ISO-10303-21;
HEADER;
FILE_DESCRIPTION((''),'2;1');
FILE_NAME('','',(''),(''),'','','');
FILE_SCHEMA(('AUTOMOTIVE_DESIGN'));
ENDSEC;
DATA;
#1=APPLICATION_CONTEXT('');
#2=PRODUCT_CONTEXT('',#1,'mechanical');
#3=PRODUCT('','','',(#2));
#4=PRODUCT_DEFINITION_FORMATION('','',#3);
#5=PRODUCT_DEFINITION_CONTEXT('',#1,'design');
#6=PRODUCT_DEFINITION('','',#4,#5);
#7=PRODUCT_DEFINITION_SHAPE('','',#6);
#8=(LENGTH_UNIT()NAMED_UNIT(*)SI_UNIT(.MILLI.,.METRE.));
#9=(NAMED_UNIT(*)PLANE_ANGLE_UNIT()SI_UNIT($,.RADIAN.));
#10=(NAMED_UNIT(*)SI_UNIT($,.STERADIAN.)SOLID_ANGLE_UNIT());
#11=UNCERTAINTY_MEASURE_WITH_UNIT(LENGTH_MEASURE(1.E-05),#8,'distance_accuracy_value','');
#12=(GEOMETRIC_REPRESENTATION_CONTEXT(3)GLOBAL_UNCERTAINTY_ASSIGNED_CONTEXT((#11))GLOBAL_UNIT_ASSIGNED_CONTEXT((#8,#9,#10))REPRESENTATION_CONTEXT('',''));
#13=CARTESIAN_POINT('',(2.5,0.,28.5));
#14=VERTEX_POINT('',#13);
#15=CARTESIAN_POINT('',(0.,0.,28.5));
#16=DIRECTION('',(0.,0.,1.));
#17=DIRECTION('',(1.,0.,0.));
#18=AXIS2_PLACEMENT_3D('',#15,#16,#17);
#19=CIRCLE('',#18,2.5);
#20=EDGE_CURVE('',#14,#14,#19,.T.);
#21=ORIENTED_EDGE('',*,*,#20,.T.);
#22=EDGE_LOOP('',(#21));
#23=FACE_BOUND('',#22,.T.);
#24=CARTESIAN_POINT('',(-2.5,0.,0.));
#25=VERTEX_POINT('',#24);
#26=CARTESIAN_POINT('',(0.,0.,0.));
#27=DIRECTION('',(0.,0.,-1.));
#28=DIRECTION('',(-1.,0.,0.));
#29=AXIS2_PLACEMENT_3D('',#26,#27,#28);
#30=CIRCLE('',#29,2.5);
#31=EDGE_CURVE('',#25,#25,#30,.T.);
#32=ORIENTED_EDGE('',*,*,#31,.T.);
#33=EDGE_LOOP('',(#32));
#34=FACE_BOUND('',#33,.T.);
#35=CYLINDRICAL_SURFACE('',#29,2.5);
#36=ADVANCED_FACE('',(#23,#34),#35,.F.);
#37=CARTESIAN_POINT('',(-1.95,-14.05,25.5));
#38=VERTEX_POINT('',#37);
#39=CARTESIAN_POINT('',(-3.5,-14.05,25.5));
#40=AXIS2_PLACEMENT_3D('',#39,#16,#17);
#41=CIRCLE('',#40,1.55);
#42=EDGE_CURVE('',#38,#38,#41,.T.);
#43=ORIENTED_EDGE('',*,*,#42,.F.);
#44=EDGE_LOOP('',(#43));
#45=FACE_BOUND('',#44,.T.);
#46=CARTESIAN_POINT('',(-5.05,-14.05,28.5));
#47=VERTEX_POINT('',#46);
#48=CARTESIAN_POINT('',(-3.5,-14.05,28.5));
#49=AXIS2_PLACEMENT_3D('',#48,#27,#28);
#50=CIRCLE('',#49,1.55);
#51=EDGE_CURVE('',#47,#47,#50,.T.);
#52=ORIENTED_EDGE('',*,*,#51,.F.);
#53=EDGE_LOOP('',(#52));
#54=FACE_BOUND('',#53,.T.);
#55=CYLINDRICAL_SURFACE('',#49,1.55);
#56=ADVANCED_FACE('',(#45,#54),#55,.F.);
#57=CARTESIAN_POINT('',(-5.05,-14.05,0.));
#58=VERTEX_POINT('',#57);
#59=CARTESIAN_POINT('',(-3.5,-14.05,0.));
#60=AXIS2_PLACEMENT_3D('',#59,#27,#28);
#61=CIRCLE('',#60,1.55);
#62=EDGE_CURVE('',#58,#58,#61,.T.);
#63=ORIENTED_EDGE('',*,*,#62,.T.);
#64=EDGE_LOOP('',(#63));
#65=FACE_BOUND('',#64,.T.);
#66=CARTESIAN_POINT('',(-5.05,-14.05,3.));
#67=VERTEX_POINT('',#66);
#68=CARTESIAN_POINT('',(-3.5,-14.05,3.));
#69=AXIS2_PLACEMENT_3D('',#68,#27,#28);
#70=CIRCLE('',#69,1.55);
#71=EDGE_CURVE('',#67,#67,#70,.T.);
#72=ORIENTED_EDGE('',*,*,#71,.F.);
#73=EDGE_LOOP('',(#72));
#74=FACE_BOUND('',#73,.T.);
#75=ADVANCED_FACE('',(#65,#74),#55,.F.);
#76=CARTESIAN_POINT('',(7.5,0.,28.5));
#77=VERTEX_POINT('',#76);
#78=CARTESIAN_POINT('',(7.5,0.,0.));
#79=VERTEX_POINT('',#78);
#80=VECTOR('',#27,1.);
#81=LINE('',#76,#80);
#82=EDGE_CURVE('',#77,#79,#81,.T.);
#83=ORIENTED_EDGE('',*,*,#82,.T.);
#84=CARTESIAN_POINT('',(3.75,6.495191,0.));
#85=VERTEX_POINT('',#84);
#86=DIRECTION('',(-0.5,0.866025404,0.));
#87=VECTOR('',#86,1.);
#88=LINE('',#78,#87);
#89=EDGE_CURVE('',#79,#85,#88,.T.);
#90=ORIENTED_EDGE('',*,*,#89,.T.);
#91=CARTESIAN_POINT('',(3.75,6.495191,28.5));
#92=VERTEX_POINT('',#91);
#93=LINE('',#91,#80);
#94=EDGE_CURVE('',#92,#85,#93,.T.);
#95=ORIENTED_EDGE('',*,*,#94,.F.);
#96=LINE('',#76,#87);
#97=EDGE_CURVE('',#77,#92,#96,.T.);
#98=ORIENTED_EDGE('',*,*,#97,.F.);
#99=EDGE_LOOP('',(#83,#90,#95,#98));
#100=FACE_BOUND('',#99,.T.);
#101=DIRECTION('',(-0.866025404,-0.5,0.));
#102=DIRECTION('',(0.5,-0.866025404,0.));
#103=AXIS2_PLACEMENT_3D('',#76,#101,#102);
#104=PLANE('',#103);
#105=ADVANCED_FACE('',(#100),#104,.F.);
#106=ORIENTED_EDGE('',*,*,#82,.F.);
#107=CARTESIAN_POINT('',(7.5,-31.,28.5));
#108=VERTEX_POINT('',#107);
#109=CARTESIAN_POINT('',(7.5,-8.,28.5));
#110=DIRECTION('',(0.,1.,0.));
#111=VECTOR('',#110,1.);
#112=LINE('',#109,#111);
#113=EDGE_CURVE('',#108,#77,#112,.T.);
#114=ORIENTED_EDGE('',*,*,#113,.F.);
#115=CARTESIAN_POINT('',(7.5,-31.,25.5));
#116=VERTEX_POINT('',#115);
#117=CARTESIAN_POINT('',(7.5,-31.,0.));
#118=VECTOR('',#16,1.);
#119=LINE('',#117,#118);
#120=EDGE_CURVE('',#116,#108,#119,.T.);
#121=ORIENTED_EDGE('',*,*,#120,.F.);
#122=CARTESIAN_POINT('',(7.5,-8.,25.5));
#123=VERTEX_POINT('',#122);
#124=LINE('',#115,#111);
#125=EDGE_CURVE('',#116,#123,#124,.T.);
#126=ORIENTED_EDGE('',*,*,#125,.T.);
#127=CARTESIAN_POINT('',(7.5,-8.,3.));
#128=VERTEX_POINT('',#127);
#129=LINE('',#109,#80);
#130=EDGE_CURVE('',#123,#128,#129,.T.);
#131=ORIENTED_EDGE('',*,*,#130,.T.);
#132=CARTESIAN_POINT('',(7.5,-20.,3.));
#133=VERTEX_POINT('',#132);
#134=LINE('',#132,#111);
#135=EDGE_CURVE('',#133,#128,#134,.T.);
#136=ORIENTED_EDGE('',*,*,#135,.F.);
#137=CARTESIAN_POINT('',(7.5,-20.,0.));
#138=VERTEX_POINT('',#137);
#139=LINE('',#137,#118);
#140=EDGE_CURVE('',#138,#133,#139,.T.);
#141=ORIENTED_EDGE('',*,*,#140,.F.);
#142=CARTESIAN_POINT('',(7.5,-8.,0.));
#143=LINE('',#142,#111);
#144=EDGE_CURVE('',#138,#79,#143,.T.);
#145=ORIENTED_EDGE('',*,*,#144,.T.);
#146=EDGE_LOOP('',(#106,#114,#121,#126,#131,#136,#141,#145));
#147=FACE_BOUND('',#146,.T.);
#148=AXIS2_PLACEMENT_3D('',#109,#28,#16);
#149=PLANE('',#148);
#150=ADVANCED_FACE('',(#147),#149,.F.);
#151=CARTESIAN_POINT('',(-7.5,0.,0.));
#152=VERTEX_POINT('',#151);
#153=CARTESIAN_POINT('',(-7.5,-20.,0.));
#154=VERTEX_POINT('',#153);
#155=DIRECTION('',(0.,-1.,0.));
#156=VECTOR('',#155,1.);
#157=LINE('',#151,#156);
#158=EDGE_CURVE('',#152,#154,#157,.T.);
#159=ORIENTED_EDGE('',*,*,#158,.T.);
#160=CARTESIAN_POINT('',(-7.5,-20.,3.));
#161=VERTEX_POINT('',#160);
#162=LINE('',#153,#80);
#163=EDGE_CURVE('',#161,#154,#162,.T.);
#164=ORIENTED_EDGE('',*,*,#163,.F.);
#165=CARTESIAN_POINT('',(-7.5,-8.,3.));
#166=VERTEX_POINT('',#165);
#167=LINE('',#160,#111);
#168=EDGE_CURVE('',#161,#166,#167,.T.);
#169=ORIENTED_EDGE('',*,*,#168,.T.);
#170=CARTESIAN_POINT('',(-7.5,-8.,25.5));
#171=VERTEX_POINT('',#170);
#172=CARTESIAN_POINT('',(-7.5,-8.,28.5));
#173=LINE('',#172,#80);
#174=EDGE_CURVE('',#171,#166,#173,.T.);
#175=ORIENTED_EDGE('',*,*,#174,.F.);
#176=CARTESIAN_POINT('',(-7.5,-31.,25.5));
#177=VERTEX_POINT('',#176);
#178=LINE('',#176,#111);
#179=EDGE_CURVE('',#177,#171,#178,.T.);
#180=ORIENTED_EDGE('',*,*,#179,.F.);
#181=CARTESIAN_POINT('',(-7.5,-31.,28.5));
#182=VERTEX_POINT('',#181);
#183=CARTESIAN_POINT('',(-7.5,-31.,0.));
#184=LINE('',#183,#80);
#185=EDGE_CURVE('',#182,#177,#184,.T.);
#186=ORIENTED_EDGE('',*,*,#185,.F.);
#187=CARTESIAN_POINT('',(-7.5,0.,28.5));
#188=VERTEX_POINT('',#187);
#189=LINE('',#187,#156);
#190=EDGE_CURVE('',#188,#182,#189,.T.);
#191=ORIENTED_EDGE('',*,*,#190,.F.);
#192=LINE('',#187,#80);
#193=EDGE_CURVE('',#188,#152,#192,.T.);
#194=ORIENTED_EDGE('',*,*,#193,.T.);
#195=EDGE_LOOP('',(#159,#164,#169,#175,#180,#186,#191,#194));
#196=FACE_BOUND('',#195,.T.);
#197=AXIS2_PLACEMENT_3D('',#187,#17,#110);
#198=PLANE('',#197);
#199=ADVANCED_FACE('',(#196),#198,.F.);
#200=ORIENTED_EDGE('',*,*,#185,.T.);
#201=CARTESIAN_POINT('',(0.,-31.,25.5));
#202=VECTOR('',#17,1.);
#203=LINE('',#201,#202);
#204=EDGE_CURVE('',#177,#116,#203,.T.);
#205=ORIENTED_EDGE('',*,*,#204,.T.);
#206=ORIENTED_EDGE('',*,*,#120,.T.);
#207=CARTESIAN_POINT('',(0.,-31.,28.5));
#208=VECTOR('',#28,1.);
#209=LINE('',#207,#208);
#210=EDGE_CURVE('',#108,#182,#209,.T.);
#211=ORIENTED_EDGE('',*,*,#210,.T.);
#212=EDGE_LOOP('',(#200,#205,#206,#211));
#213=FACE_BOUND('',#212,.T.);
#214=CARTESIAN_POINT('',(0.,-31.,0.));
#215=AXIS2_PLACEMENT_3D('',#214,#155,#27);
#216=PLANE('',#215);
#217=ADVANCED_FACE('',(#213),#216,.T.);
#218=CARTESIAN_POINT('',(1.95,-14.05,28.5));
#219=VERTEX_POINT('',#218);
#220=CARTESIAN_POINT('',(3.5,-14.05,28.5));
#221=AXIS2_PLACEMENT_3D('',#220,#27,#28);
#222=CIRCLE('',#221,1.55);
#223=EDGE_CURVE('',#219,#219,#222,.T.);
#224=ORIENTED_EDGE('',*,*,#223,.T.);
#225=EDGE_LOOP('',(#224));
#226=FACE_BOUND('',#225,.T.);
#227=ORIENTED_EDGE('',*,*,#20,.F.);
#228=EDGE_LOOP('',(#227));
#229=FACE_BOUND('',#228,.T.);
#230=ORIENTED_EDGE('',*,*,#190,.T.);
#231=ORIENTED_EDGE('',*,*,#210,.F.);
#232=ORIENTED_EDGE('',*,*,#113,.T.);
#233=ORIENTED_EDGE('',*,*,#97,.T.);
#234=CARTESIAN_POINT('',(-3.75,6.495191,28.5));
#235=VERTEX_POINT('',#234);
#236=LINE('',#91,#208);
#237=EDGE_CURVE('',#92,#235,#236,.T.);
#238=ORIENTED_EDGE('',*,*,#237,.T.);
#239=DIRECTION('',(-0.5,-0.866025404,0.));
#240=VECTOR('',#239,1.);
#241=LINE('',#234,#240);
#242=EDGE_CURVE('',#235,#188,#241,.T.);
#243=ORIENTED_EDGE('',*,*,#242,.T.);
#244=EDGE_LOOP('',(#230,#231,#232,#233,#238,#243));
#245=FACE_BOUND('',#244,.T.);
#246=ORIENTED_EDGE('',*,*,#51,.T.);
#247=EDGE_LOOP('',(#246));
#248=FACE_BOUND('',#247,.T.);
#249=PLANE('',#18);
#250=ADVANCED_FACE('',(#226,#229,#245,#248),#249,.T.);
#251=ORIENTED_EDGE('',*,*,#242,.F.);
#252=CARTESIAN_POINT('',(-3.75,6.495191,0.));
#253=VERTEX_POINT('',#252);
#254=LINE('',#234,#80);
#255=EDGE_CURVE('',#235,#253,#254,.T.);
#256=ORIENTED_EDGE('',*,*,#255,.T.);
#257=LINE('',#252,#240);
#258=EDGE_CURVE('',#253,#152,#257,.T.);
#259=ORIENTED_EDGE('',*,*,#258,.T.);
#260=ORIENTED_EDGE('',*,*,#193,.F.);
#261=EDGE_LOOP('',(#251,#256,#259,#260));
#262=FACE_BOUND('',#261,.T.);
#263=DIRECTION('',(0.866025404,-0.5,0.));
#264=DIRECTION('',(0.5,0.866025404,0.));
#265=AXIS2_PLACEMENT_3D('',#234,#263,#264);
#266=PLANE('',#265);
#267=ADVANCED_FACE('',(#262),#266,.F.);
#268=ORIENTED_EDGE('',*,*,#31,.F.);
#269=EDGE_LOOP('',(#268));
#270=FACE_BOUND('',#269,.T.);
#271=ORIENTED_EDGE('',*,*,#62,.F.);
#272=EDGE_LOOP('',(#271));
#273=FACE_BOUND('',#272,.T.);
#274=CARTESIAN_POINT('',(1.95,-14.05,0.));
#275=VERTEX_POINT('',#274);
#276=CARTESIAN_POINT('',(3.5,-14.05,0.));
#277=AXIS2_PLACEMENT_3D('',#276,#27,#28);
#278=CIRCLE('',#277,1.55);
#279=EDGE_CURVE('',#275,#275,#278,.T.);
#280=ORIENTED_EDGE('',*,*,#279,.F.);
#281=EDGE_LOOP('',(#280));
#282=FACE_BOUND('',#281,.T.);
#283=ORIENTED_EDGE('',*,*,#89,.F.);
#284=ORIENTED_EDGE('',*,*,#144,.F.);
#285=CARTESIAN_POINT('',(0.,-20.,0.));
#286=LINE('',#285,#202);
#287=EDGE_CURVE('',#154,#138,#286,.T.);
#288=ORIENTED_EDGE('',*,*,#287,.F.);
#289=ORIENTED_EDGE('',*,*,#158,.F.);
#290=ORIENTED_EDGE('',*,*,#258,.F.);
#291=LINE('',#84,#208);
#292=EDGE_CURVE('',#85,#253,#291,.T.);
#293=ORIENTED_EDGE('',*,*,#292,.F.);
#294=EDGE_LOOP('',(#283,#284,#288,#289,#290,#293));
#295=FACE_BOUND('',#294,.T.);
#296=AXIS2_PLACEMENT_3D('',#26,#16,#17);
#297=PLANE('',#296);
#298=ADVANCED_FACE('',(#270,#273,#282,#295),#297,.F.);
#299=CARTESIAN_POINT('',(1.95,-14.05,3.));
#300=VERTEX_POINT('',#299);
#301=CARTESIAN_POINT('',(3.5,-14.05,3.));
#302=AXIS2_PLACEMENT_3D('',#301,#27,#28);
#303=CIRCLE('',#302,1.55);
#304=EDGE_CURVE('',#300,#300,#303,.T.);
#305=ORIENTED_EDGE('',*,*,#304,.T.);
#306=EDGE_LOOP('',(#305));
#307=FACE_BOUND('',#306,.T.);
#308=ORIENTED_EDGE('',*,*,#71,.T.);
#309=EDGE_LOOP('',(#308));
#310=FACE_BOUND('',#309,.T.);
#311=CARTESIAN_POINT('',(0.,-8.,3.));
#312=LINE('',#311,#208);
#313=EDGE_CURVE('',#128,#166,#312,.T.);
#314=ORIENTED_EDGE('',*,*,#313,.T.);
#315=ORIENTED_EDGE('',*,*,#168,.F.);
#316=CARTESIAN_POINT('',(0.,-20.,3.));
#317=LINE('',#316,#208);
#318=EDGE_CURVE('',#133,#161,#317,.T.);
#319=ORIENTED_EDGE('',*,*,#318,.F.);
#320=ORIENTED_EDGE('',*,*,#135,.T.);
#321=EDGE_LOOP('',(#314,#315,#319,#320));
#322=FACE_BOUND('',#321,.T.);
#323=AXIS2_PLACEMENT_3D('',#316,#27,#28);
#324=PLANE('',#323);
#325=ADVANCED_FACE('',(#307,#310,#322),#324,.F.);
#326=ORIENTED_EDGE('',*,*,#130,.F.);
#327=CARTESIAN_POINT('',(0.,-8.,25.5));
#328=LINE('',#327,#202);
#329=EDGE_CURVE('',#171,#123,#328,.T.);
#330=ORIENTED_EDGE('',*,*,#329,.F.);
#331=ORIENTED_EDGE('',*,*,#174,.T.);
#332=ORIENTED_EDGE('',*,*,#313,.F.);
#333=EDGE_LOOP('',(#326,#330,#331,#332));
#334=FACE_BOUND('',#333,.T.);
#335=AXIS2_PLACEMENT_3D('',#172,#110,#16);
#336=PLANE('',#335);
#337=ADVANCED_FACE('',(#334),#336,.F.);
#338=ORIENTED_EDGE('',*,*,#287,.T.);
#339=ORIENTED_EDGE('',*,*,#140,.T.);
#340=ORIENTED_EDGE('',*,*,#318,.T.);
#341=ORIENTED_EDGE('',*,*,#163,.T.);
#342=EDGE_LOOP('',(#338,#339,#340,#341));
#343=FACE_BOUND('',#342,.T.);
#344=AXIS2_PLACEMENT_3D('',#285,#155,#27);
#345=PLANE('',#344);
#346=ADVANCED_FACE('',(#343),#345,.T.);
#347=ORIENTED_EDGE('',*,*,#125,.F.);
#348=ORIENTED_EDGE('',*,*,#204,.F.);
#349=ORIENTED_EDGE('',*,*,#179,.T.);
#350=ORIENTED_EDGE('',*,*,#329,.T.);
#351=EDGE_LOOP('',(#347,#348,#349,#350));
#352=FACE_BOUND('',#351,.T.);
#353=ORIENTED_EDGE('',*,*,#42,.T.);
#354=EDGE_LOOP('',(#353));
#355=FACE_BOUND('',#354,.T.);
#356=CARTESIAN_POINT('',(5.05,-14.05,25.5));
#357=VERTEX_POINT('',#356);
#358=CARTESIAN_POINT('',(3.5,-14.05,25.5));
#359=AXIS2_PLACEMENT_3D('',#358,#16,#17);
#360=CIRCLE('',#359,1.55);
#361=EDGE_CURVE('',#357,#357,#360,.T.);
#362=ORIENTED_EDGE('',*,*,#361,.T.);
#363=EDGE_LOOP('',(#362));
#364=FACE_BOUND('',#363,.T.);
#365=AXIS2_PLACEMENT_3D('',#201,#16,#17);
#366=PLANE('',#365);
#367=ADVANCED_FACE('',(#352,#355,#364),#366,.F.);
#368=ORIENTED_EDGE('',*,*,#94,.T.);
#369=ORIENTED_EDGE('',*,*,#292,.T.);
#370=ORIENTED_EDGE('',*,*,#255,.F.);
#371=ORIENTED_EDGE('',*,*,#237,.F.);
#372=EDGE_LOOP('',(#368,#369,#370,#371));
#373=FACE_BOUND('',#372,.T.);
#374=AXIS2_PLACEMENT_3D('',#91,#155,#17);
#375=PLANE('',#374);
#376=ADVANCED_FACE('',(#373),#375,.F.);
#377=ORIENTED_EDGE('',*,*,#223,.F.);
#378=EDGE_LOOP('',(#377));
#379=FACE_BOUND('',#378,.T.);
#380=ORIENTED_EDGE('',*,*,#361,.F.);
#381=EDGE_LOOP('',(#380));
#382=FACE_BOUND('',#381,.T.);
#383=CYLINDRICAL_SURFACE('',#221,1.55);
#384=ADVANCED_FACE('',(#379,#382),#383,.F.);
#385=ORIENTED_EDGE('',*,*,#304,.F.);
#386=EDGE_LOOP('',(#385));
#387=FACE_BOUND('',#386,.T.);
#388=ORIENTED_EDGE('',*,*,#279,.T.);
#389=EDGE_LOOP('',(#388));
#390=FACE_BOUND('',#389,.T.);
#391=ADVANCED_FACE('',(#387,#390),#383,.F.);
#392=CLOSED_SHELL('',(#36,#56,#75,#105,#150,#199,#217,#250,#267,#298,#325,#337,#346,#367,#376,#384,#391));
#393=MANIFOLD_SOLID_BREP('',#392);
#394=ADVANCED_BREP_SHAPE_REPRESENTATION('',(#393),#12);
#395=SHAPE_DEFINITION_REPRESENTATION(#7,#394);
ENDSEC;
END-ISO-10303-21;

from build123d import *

# Parameters (mm, degrees)
BOSS_EXTRUDE1_DEPTH   = 28.5
SKETCH2_W             = 15
SKETCH2_H             = 3
BOSS_EXTRUDE2_DEPTH   = 23
SKETCH2_3_W           = 15
SKETCH2_3_H           = 3
BOSS_EXTRUDE3_DEPTH   = 12
SKETCH5_R             = 1.55
CUT_EXTRUDE1_DEPTH    = 29.5
M6_TAPPED_HOLE1_D     = 5
M6_TAPPED_HOLE1_DEPTH = 8
M6_TAPPED_HOLE1_TIP   = 1.502151548
M6_TAPPED_HOLE2_D     = 5
M6_TAPPED_HOLE2_DEPTH = 6
M6_TAPPED_HOLE2_TIP   = 1.502151548
SKETCH6_R             = 2.5
CUT_EXTRUDE2_DEPTH    = 29.5


with BuildPart() as part:
    # Sketch1 → Boss-Extrude1 (new body)
    with BuildSketch(Plane.XY):
        Polygon((-7.5, 0), (-7.5, -8), (7.5, -8), (7.5, 0), (3.75, 6.495190528), (-3.75, 6.495190528), align=None)
    extrude(amount=BOSS_EXTRUDE1_DEPTH)

    # Sketch2 → Boss-Extrude2 (add)
    with BuildSketch(Plane.XZ.offset(8)):
        with Locations((0, 27)):
            Rectangle(SKETCH2_W, SKETCH2_H)
    extrude(amount=BOSS_EXTRUDE2_DEPTH)

    # Sketch2<3> → Boss-Extrude3 (add)
    with BuildSketch(Plane.XZ.offset(8)):
        with Locations((0, 1.5)):
            Rectangle(SKETCH2_3_W, SKETCH2_3_H)
    extrude(amount=BOSS_EXTRUDE3_DEPTH)

    # Sketch5 → Cut-Extrude1 (cut, through all)
    with BuildSketch(Plane(origin=(0, 0, 0), x_dir=(-1, 0, 0), z_dir=(0, 0, -1))):
        with Locations((-3.5, -14.05)):
            Circle(SKETCH5_R)
        with Locations((3.5, -14.05)):
            Circle(SKETCH5_R)
    extrude(amount=-CUT_EXTRUDE1_DEPTH, mode=Mode.SUBTRACT)

    # M6 Tapped Hole1
    with Locations(Plane(origin=(0, 0, 0), x_dir=(-1, 0, 0), z_dir=(0, 0, -1))):
        with Locations((0, 0)):
            Hole(M6_TAPPED_HOLE1_D / 2, depth=M6_TAPPED_HOLE1_DEPTH)
            with Locations((0, 0, -(M6_TAPPED_HOLE1_DEPTH + M6_TAPPED_HOLE1_TIP / 2))):  # 118° drill point
                Cone(0, M6_TAPPED_HOLE1_D / 2, M6_TAPPED_HOLE1_TIP, mode=Mode.SUBTRACT)

    # M6 Tapped Hole2
    with Locations(Plane.XY.offset(28.5)):
        with Locations((0, 0)):
            Hole(M6_TAPPED_HOLE2_D / 2, depth=M6_TAPPED_HOLE2_DEPTH)
            with Locations((0, 0, -(M6_TAPPED_HOLE2_DEPTH + M6_TAPPED_HOLE2_TIP / 2))):  # 118° drill point
                Cone(0, M6_TAPPED_HOLE2_D / 2, M6_TAPPED_HOLE2_TIP, mode=Mode.SUBTRACT)

    # Sketch6 → Cut-Extrude2 (cut, through all)
    with BuildSketch(Plane(origin=(0, 0, 0), x_dir=(-1, 0, 0), z_dir=(0, 0, -1))):
        Circle(SKETCH6_R)
    extrude(amount=-CUT_EXTRUDE2_DEPTH, mode=Mode.SUBTRACT)


solid = part.part
